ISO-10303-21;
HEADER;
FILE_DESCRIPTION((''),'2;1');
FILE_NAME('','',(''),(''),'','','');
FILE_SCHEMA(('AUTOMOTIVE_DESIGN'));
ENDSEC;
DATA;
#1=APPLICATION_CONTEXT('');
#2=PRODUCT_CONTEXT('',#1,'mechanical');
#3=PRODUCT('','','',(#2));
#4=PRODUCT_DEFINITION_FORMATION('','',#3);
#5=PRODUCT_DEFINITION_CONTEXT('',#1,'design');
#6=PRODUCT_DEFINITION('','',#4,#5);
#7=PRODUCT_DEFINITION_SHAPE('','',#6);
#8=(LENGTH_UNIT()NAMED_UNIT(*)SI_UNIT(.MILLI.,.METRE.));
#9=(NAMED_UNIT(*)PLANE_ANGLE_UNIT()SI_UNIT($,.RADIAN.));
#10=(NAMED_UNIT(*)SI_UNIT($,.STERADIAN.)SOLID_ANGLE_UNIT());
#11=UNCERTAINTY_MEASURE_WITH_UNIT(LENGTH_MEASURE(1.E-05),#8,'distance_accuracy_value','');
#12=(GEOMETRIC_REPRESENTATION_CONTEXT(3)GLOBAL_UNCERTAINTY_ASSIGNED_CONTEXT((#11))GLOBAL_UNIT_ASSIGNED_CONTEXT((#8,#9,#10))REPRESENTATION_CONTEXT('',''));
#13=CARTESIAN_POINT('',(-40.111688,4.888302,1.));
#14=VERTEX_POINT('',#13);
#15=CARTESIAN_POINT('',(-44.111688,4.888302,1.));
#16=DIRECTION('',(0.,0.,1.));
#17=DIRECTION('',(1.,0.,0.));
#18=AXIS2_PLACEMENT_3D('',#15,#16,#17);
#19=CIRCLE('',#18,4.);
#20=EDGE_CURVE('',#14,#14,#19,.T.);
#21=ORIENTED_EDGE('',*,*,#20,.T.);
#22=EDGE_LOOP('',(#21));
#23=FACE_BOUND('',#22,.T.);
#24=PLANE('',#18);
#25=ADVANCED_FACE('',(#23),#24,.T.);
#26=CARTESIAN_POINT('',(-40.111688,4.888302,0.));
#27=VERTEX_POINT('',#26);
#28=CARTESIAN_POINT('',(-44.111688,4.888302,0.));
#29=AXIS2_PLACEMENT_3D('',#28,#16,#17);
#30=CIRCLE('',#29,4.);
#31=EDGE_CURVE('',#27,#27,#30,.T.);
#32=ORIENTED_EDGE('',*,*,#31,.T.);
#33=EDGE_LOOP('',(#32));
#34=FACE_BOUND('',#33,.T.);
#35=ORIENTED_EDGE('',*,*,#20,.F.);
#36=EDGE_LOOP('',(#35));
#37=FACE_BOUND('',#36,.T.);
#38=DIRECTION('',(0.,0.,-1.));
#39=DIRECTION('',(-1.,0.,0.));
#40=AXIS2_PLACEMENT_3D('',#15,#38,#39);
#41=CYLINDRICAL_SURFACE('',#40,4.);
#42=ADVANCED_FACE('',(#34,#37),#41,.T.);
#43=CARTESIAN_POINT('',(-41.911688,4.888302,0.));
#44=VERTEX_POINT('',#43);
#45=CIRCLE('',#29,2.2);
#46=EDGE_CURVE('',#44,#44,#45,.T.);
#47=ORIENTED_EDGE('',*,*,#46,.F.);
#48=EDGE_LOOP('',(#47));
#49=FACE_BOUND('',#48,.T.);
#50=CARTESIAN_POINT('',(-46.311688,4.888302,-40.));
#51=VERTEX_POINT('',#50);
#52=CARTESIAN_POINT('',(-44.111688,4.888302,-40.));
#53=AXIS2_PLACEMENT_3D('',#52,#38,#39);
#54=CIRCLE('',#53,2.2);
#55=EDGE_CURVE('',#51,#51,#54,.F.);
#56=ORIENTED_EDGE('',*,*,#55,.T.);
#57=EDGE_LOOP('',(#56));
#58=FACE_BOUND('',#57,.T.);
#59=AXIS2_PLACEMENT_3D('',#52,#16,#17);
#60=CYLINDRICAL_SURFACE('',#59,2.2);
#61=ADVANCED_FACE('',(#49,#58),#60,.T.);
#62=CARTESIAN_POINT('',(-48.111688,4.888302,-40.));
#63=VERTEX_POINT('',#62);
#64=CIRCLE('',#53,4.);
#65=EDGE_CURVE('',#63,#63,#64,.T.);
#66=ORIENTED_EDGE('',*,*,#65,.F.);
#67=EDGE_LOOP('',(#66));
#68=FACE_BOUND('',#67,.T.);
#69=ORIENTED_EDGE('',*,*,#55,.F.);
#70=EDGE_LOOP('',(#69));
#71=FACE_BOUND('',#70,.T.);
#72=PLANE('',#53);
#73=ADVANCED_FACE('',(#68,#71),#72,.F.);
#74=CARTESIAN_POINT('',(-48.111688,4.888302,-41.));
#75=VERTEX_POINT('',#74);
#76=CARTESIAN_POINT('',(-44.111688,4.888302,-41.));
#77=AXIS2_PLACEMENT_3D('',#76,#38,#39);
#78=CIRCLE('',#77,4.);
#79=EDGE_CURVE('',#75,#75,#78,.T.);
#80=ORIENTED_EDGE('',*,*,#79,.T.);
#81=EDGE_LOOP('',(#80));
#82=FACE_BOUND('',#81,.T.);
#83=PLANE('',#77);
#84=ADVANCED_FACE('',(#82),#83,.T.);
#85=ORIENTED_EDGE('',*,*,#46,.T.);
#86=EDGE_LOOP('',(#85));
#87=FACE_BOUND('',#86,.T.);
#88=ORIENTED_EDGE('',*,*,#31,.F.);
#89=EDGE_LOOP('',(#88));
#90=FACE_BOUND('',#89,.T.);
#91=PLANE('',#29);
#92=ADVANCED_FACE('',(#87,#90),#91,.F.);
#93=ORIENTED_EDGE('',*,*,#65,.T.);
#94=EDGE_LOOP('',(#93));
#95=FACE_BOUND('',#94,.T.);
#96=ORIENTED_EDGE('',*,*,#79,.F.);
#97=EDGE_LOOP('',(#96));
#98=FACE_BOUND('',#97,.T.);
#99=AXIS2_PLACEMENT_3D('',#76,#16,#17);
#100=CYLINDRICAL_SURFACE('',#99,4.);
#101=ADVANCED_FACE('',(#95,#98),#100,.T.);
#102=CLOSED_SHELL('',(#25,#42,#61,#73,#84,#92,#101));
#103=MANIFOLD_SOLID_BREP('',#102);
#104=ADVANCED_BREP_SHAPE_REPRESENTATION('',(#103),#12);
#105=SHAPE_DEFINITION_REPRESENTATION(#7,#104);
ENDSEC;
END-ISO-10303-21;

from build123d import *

# Parameters (mm, degrees)
SKETCH1_R           = 2.2
BOSS_EXTRUDE1_DEPTH = 40
SKETCH2_R           = 4
BOSS_EXTRUDE2_DEPTH = 1
SKETCH3_R           = 4
BOSS_EXTRUDE3_DEPTH = 1


with BuildPart() as part:
    # Sketch1 → Boss-Extrude1 (new body)
    with BuildSketch(Plane.XY):
        with Locations((-44.111688034, 4.888301887)):
            Circle(SKETCH1_R)
    extrude(amount=-BOSS_EXTRUDE1_DEPTH)

    # Sketch2 → Boss-Extrude2 (add)
    with BuildSketch(Plane.XY):
        with Locations((-44.111688034, 4.888301887)):
            Circle(SKETCH2_R)
    extrude(amount=BOSS_EXTRUDE2_DEPTH)

    # Sketch3 → Boss-Extrude3 (add)
    with BuildSketch(Plane(origin=(0, 0, -40), x_dir=(-1, 0, 0), z_dir=(0, 0, -1))):
        with Locations((44.111688034, 4.888301887)):
            Circle(SKETCH3_R)
    extrude(amount=BOSS_EXTRUDE3_DEPTH)


solid = part.part
